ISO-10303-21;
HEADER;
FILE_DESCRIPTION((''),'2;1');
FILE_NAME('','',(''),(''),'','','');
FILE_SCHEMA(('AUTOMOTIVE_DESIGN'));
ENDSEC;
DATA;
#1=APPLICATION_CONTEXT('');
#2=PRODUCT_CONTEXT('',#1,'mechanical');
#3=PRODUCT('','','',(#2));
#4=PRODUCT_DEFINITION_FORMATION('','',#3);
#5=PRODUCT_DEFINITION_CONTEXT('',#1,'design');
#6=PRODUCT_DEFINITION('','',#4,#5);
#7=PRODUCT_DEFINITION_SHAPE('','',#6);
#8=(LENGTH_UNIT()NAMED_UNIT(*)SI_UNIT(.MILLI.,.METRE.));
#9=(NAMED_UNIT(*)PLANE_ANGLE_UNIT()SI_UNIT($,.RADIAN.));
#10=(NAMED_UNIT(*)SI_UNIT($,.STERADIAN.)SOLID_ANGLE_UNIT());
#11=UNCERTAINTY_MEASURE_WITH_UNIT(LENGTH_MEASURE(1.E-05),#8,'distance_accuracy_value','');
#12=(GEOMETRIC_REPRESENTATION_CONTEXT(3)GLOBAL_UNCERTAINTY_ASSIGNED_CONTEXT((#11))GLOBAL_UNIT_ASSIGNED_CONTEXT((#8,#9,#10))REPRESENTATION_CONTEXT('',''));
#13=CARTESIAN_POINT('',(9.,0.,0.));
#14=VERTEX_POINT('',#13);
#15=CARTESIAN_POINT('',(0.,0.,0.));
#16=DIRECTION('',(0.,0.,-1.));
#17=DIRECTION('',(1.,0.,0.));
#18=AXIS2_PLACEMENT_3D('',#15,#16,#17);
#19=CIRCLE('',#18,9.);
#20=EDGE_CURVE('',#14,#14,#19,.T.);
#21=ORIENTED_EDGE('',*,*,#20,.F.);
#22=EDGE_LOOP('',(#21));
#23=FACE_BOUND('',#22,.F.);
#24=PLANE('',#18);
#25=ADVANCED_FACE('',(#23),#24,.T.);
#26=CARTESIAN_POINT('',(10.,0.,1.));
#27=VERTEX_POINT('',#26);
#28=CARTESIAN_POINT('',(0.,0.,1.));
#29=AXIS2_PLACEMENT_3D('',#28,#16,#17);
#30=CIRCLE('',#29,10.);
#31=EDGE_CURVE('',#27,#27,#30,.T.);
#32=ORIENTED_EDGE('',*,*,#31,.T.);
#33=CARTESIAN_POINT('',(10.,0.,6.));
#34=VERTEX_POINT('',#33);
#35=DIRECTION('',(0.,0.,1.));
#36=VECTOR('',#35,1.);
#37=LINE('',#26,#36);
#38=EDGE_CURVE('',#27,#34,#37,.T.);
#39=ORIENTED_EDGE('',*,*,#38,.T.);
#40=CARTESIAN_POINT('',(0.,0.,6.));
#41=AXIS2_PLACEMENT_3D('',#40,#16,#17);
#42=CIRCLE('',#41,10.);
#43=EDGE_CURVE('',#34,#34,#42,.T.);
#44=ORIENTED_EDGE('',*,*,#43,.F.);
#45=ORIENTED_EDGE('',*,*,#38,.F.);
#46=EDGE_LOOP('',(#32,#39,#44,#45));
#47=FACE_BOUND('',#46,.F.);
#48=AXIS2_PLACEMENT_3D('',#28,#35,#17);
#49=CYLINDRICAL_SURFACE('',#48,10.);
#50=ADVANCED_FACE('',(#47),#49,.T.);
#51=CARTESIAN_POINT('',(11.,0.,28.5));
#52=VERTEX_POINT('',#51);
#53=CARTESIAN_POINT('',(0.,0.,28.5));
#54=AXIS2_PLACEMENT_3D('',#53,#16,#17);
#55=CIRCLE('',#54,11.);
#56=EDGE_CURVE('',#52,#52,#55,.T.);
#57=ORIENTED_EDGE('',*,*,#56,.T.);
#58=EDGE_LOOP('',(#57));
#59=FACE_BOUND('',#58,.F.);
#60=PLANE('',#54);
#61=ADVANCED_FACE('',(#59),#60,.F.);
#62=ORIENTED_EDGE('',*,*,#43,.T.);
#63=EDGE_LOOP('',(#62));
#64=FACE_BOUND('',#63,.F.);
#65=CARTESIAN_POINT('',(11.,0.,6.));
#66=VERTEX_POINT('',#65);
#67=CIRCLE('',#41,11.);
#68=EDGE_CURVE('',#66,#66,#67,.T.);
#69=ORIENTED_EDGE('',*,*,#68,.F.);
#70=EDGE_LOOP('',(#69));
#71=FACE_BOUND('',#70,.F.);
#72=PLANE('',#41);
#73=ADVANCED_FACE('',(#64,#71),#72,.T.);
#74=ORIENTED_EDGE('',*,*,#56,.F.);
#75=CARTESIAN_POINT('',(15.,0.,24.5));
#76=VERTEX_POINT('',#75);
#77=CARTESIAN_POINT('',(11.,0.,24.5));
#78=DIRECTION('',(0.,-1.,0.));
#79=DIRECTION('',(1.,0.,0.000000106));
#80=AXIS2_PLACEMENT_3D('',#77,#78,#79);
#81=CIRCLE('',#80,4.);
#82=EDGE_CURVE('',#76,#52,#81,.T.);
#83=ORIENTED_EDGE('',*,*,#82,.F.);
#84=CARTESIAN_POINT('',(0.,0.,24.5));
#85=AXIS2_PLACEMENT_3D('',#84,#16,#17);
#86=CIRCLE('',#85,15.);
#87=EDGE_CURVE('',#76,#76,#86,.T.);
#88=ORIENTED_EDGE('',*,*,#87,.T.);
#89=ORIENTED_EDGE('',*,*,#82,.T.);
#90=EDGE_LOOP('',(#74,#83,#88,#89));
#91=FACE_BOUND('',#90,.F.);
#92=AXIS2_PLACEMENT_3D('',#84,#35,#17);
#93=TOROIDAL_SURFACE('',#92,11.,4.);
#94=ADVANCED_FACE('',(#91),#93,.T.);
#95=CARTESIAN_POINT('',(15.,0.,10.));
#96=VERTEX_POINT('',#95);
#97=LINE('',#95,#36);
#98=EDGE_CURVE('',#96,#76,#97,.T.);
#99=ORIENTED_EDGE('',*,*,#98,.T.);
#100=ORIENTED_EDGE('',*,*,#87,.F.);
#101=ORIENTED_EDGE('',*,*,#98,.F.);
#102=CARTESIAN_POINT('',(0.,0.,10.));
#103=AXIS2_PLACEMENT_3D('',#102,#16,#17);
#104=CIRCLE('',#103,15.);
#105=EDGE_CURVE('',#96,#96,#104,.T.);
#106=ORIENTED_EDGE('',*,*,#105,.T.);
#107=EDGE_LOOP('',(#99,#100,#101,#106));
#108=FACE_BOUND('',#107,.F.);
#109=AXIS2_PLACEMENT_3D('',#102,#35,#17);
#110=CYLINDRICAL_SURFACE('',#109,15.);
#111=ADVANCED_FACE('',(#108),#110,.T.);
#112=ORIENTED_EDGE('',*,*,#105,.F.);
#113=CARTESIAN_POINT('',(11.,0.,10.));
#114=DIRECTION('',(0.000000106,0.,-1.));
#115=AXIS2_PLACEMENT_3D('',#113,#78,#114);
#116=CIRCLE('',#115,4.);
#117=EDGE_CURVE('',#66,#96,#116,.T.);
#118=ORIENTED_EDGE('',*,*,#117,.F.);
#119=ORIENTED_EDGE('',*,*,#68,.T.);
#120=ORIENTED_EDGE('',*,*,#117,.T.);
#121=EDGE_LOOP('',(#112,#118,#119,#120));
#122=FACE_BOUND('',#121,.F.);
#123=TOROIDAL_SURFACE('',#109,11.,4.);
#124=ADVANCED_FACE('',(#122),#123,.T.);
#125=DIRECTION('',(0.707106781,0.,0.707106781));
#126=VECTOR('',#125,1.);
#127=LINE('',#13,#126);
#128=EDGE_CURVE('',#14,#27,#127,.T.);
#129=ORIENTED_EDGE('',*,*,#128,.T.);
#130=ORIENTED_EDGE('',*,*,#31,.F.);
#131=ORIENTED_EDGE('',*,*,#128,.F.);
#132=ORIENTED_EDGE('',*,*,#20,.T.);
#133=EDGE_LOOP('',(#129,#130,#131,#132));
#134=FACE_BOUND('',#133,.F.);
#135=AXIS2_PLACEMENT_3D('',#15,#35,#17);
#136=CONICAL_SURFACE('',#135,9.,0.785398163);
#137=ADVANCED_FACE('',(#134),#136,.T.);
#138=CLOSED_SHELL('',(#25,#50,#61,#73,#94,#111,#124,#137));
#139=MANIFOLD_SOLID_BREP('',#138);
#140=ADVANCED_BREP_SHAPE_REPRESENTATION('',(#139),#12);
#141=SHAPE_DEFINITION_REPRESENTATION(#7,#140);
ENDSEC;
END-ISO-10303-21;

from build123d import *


with BuildPart() as f1:
    # F0 (on Front) → F1 (revolve)
    with BuildSketch(Plane.XZ):
        with BuildLine():
            Line((9, 0), (10, 1))
            Line((10, 1), (10, 6))
            Line((10, 6), (11, 6))
            ThreePointArc((11, 6), (13.828427, 7.171573), (15, 10))
            Line((15, 10), (15, 24.5))
            ThreePointArc((15, 24.5), (13.828427, 27.328427), (11, 28.5))
            Line((11, 28.5), (0, 28.5))
            Line((0, 28.5), (0, 0))
            Line((0, 0), (9, 0))
        make_face()
    revolve(axis=Axis((0, 0, 14.25), (0, 0, -1)))


solid = f1.part
